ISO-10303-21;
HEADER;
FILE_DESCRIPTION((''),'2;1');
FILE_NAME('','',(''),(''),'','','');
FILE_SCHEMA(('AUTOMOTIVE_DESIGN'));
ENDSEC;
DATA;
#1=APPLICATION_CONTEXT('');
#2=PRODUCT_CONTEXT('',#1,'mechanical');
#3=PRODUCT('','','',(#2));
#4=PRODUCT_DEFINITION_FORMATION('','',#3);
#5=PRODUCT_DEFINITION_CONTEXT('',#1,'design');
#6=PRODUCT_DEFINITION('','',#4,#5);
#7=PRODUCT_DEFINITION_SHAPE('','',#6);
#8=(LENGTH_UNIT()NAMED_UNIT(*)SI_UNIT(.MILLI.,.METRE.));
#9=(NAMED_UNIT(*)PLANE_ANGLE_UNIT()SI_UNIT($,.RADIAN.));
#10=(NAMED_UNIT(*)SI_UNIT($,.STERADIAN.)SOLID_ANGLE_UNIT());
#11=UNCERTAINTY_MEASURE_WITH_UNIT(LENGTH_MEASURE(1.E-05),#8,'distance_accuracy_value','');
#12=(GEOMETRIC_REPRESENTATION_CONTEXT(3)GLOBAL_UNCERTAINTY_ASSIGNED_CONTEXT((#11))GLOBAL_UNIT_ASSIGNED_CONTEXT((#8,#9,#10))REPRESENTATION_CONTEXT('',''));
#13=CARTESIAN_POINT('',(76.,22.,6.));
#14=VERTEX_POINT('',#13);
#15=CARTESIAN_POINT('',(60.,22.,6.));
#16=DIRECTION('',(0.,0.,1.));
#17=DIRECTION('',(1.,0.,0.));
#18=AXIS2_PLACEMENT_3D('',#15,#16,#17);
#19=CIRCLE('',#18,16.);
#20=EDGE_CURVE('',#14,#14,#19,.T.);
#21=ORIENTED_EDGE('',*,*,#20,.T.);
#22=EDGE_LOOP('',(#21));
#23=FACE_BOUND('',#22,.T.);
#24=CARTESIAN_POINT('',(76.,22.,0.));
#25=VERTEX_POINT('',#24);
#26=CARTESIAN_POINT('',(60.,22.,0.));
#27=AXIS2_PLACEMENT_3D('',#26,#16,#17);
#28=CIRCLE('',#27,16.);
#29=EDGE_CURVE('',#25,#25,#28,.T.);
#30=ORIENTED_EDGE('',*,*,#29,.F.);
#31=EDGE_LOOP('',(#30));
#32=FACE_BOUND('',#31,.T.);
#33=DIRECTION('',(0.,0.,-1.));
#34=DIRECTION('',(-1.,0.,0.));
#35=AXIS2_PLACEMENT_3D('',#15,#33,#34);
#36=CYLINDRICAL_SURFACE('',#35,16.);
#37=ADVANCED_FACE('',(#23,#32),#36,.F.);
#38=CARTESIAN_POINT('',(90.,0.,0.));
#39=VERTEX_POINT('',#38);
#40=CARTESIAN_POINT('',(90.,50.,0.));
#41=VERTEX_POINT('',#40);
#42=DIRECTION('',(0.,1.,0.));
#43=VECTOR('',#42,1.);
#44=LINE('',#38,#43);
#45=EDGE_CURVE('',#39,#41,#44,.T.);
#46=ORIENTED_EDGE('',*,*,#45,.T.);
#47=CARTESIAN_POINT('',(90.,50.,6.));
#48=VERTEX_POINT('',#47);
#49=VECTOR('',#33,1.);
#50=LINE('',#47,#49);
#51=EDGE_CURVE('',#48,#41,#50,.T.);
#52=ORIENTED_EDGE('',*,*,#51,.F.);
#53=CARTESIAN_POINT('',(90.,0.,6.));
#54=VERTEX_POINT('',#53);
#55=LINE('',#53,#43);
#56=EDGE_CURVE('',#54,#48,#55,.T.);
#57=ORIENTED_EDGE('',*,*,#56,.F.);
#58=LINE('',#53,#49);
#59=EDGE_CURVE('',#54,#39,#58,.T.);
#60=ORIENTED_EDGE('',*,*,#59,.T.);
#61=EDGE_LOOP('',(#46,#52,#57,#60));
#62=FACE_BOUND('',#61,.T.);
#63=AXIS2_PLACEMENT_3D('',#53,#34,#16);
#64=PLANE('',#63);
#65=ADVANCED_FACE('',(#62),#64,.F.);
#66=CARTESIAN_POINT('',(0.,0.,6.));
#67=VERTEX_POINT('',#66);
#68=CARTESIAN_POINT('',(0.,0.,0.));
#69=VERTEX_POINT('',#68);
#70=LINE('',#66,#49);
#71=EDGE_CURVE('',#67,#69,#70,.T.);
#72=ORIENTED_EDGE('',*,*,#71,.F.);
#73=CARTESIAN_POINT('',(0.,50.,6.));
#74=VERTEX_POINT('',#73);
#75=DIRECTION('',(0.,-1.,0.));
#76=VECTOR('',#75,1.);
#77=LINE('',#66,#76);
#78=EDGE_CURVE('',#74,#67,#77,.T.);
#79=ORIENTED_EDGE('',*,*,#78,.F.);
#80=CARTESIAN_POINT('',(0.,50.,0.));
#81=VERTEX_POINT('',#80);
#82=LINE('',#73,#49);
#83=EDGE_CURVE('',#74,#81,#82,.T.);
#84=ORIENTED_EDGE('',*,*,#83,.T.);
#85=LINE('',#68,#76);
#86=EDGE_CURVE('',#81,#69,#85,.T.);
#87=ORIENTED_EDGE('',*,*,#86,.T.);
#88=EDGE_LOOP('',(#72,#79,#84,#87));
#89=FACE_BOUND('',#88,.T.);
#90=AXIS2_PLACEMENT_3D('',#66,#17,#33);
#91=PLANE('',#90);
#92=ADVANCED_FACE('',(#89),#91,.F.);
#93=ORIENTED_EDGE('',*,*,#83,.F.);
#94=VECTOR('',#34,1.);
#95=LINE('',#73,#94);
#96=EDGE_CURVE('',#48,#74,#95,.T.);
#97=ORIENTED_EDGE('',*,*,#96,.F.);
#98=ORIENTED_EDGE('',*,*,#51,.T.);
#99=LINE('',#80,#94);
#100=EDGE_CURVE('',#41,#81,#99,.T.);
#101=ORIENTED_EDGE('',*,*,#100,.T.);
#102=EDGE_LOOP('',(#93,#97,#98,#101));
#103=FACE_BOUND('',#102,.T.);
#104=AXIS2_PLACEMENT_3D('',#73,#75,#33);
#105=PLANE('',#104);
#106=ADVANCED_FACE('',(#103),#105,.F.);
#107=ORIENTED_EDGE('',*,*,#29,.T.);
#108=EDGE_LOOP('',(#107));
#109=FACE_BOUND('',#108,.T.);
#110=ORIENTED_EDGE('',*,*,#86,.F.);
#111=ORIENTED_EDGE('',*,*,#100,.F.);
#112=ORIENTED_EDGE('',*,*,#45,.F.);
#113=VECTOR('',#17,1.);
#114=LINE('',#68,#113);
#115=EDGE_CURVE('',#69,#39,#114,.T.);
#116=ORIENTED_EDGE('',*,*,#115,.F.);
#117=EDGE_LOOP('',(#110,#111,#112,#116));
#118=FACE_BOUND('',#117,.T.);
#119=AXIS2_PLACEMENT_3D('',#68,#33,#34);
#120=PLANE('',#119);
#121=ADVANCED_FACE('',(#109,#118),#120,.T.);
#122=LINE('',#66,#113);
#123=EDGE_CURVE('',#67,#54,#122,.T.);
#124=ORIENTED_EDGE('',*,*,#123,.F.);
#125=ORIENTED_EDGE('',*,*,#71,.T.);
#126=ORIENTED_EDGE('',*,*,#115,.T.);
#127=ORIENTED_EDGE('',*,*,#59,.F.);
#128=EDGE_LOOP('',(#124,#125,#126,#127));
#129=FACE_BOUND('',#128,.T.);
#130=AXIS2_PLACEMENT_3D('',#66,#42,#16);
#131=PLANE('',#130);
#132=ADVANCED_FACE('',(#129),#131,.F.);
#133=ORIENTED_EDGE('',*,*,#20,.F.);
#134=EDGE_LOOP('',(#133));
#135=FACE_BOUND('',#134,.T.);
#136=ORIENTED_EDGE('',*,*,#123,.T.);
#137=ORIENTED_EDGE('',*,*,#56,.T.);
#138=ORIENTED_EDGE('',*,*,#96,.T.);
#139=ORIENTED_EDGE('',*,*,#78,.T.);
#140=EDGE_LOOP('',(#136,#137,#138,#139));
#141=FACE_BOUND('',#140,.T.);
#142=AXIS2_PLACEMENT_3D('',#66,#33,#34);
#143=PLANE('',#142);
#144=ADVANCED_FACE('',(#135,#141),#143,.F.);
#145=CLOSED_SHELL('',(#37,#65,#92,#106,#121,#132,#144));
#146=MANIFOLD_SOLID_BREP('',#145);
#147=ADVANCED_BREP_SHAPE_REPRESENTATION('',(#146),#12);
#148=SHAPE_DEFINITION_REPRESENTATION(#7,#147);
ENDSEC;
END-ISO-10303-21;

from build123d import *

# Parameters (mm, degrees)
SKETCH1_W           = 90
SKETCH1_H           = 50
SKETCH1_R           = 16
BOSS_EXTRUDE1_DEPTH = 6


with BuildPart() as part:
    # Sketch1 → Boss-Extrude1 (new body)
    with BuildSketch(Plane.XY):
        with Locations((45, 25)):
            Rectangle(SKETCH1_W, SKETCH1_H)
        with Locations((60, 22)):
            Circle(SKETCH1_R, mode=Mode.SUBTRACT)
    extrude(amount=BOSS_EXTRUDE1_DEPTH)


solid = part.part
